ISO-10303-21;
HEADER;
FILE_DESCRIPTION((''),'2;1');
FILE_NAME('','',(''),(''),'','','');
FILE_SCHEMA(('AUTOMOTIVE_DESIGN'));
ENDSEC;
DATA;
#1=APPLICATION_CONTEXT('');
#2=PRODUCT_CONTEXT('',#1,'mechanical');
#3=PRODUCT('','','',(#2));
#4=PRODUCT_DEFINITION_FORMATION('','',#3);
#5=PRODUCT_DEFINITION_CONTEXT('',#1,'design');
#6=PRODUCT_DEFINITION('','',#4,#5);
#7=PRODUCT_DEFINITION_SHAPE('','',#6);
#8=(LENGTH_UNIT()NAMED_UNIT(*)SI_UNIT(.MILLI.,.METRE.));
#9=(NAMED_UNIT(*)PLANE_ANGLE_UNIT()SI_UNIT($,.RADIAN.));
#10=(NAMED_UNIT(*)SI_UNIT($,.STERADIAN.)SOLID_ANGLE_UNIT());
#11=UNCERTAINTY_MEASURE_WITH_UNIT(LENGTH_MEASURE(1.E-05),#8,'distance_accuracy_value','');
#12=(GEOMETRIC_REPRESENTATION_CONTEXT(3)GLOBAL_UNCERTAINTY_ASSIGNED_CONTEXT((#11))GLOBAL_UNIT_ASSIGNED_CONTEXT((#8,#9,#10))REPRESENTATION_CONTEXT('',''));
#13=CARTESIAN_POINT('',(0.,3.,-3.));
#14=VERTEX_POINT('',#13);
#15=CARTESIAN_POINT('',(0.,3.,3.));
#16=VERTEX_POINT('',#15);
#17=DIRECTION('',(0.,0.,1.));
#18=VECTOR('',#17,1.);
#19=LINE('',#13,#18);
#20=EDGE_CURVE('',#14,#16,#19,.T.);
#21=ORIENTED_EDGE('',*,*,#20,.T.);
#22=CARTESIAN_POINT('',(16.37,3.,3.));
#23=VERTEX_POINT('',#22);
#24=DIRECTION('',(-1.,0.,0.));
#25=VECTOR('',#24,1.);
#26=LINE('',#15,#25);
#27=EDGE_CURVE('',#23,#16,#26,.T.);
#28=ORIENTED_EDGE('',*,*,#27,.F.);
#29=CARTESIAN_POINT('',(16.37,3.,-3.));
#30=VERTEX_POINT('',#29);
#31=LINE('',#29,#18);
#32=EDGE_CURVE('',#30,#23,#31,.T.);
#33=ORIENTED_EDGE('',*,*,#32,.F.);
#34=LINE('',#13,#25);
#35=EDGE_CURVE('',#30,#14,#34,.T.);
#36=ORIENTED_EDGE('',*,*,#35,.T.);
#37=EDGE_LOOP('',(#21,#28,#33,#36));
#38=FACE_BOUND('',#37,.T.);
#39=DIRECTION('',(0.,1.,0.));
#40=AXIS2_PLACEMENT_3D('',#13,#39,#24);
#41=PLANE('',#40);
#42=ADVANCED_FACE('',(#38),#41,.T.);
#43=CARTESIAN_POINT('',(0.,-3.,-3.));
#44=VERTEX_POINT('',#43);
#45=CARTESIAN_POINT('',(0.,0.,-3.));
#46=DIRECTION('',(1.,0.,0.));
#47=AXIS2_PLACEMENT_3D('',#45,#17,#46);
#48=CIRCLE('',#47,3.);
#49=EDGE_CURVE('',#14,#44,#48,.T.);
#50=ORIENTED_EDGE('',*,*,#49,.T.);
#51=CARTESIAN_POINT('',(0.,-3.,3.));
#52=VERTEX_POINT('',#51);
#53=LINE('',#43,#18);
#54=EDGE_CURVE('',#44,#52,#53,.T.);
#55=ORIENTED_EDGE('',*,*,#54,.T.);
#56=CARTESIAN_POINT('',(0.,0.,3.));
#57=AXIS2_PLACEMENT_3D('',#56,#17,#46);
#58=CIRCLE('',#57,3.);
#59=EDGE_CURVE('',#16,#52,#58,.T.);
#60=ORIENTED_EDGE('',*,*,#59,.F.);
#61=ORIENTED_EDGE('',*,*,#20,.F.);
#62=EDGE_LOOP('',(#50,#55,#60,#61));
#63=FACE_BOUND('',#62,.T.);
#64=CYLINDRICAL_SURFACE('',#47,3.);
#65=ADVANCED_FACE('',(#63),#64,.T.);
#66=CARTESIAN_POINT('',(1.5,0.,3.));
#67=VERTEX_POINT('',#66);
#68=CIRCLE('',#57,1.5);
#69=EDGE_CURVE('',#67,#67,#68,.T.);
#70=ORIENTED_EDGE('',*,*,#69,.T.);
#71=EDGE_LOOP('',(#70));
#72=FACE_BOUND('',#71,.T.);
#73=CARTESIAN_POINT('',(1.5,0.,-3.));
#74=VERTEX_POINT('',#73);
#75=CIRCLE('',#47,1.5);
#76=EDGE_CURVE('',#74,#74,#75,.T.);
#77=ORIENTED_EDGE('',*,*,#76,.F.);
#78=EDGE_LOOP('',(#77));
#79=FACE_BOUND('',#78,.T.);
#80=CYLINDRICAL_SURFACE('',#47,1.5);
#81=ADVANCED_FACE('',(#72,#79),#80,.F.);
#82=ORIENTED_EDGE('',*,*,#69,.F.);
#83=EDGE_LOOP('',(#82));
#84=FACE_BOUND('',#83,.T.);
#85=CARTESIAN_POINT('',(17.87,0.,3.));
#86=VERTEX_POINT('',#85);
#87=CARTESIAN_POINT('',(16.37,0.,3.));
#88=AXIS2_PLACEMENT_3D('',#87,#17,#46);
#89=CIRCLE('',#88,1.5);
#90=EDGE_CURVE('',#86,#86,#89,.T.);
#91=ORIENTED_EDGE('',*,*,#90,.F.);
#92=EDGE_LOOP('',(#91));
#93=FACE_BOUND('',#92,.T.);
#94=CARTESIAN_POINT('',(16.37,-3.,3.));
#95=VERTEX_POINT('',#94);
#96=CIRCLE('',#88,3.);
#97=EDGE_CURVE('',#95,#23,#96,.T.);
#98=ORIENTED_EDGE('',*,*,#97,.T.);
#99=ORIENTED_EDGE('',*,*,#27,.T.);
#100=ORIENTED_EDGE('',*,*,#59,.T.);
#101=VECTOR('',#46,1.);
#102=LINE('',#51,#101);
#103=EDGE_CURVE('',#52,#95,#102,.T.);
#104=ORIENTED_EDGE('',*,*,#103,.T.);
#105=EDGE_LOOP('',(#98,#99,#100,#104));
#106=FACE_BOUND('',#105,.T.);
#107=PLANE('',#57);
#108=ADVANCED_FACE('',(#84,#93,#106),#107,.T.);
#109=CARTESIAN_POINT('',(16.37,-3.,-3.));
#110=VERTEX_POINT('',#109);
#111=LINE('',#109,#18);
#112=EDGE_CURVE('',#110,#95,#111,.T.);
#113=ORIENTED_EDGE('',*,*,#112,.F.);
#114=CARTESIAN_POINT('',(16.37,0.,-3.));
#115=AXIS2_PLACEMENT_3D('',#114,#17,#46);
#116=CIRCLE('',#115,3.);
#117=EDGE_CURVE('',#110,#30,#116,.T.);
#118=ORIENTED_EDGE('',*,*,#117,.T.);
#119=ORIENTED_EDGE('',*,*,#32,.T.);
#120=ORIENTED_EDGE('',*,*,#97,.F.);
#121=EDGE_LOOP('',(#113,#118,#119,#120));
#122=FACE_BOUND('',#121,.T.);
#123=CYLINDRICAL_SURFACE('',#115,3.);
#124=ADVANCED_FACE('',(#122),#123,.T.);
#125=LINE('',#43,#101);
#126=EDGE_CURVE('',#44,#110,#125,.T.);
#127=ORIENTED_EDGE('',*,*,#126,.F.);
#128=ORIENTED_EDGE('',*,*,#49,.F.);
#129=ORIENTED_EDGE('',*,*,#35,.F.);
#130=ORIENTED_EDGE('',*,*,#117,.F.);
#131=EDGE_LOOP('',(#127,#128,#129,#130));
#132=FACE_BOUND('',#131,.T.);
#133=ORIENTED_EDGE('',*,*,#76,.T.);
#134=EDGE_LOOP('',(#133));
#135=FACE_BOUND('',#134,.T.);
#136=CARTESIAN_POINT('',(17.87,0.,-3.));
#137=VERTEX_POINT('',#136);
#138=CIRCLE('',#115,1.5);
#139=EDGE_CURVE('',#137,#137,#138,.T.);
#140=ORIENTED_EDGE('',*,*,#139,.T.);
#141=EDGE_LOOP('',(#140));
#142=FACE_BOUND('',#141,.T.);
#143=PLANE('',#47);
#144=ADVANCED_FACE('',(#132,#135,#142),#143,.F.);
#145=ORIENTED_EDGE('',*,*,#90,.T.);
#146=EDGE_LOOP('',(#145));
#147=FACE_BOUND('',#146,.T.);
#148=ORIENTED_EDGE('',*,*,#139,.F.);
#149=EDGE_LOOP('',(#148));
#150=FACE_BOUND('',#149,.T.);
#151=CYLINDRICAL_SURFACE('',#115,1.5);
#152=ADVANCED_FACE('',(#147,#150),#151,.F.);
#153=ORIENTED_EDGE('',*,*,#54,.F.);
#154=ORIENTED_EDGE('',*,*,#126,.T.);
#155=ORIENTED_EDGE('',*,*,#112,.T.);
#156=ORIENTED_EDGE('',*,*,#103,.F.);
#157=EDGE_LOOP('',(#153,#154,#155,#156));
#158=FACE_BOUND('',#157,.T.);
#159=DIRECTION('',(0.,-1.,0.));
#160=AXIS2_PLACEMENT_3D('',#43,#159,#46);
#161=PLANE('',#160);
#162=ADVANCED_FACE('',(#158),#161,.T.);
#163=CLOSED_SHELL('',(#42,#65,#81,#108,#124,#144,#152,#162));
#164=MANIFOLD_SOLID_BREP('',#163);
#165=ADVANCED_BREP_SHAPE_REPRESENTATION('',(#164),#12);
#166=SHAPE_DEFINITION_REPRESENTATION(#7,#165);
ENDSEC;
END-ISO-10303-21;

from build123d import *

# Parameters (mm, degrees)
BOSS_EXTRU_1_DEPTH      = 3
BOSS_EXTRU_1_DEPTH_BACK = 3
ESQUISSE1_R             = 1.5


with BuildPart() as part:
    # Esquisse1 → Boss.-Extru.1 (new, two sides: drawn at the far end of the back side and taken through both)
    with BuildSketch(Plane.XY.offset(-BOSS_EXTRU_1_DEPTH_BACK)):
        with BuildLine():
            Line((0, 3), (16.37, 3))
            ThreePointArc((16.37, 3), (19.37, 0), (16.37, -3))
            Line((16.37, -3), (0, -3))
            ThreePointArc((0, -3), (-3, 0), (0, 3))
        make_face()
        Circle(ESQUISSE1_R, mode=Mode.SUBTRACT)
        with Locations((16.37, 0)):
            Circle(ESQUISSE1_R, mode=Mode.SUBTRACT)
    extrude(amount=BOSS_EXTRU_1_DEPTH + BOSS_EXTRU_1_DEPTH_BACK)


solid = part.part
